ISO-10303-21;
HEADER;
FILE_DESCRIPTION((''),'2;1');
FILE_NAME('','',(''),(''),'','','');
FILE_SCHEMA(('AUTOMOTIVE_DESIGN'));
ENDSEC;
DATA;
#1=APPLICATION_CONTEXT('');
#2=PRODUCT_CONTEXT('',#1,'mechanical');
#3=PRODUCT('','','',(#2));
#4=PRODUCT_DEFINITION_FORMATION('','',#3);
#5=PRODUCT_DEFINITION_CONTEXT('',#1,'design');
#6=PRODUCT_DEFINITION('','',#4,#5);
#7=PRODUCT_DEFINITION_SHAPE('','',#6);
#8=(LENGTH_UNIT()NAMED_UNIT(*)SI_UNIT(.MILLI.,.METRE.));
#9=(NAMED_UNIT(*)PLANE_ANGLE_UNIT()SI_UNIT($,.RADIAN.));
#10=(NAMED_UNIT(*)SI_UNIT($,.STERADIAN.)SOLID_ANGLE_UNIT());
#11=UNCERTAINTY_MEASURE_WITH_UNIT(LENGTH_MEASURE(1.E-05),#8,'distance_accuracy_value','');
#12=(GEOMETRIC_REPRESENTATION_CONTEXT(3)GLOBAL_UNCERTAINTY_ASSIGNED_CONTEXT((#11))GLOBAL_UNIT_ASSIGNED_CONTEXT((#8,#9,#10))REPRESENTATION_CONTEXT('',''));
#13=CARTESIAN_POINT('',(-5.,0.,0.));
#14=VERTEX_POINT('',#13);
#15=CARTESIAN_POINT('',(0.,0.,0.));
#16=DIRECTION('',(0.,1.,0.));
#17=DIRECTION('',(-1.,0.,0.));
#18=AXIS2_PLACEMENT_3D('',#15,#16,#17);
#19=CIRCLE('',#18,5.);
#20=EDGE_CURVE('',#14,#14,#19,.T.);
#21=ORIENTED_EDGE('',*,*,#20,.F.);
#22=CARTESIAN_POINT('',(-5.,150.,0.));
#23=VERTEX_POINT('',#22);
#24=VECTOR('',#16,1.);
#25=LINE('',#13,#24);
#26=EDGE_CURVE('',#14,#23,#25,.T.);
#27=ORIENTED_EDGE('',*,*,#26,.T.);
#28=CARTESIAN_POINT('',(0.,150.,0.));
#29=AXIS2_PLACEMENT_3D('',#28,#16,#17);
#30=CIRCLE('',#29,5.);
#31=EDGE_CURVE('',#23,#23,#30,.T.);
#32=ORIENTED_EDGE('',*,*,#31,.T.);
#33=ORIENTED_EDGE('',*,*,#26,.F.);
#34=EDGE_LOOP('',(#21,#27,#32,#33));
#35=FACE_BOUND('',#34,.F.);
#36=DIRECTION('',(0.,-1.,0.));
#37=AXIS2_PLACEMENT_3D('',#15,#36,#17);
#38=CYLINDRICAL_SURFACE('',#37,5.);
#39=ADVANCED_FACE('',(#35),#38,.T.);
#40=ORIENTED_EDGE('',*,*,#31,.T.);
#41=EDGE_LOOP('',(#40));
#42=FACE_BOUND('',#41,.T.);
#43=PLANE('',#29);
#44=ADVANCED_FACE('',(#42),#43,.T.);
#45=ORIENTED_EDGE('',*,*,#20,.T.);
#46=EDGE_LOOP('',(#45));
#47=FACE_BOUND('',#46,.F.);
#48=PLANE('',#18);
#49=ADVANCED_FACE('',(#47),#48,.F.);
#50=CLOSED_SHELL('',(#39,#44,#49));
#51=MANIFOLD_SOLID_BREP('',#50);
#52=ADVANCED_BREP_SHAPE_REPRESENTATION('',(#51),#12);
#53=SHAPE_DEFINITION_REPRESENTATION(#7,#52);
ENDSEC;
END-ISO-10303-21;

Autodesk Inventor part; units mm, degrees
ref_plane "YZ Plane" through (0, 0, 0) normal (1, 0, 0) x (0, 1, 0)
ref_plane "XZ Plane" through (0, 0, 0) normal (0, 1, 0) x (-1, 0, 0)
ref_plane "XY Plane" through (0, 0, 0) normal (0, 0, 1) x (1, 0, 0)
sketch "Esboço1" plane through (0, 0, 0) normal (0, 1, 0) x (-1, 0, 0)
  circle A0 centre (0, 0) radius 5
  dimension "d0" = 10
extrude "Extrusão1" add sketch "Esboço1" along normal blind 150
properties part number "guia_10mm"
